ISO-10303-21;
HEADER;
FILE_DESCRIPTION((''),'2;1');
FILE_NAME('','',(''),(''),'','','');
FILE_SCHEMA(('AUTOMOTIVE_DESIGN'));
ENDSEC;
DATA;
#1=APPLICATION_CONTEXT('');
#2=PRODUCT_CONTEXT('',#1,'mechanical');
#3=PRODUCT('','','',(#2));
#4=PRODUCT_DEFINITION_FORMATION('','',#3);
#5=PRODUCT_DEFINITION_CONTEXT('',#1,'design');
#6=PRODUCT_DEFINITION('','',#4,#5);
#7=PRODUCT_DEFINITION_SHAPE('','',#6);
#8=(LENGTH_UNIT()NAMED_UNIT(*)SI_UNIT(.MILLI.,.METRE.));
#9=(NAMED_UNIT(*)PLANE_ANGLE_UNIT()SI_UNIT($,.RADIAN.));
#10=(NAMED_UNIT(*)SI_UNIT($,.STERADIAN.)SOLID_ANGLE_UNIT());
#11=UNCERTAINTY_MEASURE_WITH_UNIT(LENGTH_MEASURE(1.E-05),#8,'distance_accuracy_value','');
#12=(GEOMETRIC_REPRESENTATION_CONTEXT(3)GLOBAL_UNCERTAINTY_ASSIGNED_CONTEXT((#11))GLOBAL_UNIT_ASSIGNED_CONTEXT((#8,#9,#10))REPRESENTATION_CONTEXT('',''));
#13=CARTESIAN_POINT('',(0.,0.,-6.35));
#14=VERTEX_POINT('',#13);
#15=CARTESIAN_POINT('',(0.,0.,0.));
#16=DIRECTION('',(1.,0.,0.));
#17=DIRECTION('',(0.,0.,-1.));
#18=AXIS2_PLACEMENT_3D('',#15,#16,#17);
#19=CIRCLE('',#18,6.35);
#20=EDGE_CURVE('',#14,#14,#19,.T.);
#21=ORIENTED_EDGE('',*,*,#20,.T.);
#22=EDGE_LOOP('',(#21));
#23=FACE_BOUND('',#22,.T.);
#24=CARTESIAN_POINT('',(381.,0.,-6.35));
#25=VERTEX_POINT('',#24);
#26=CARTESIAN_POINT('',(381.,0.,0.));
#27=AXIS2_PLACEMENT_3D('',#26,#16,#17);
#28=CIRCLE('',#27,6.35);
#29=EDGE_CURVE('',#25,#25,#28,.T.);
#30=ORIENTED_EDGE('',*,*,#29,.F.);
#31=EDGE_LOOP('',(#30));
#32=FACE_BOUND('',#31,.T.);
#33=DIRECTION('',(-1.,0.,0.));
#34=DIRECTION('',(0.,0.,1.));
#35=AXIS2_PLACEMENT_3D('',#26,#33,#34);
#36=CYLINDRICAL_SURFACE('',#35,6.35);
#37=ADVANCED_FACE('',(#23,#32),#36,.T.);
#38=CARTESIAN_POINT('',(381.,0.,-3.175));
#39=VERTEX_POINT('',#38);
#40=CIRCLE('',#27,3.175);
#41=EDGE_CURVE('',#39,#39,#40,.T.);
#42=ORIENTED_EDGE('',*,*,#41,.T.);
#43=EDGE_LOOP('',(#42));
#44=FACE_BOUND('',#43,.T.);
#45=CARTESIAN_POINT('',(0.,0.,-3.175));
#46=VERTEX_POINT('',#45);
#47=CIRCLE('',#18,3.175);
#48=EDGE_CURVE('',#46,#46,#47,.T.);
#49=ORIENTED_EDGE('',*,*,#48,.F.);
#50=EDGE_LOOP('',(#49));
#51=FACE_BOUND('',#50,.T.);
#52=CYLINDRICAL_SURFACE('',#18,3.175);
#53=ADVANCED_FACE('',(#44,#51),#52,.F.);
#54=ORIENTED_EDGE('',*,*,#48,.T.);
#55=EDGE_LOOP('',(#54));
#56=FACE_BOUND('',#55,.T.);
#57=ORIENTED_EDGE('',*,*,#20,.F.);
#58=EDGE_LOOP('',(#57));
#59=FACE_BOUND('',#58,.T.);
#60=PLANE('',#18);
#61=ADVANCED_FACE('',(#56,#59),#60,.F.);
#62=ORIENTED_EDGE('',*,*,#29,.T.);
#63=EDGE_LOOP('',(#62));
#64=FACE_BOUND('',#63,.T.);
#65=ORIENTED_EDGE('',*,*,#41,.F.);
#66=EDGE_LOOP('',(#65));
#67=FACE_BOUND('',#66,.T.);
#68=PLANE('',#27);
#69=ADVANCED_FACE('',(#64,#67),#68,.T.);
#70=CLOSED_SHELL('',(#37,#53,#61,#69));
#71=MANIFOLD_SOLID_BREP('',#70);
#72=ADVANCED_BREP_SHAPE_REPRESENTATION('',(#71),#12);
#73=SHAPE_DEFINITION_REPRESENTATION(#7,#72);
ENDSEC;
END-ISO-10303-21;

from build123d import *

# Parameters (mm, degrees)
SKETCH1_R           = 6.35
BOSS_EXTRUDE1_DEPTH = 381
SKETCH2_R           = 3.175
CUT_EXTRUDE1_DEPTH  = 382


with BuildPart() as part:
    # Sketch1 → Boss-Extrude1 (new body)
    with BuildSketch(Plane(origin=(0, 0, 0), x_dir=(0, 0, -1), z_dir=(1, 0, 0))):
        Circle(SKETCH1_R)
    extrude(amount=BOSS_EXTRUDE1_DEPTH)

    # Sketch2 → Cut-Extrude1 (cut, through all)
    with BuildSketch(Plane(origin=(381, 0, 0), x_dir=(0, 0, -1), z_dir=(1, 0, 0))):
        Circle(SKETCH2_R)
    extrude(amount=-CUT_EXTRUDE1_DEPTH, mode=Mode.SUBTRACT)


solid = part.part
